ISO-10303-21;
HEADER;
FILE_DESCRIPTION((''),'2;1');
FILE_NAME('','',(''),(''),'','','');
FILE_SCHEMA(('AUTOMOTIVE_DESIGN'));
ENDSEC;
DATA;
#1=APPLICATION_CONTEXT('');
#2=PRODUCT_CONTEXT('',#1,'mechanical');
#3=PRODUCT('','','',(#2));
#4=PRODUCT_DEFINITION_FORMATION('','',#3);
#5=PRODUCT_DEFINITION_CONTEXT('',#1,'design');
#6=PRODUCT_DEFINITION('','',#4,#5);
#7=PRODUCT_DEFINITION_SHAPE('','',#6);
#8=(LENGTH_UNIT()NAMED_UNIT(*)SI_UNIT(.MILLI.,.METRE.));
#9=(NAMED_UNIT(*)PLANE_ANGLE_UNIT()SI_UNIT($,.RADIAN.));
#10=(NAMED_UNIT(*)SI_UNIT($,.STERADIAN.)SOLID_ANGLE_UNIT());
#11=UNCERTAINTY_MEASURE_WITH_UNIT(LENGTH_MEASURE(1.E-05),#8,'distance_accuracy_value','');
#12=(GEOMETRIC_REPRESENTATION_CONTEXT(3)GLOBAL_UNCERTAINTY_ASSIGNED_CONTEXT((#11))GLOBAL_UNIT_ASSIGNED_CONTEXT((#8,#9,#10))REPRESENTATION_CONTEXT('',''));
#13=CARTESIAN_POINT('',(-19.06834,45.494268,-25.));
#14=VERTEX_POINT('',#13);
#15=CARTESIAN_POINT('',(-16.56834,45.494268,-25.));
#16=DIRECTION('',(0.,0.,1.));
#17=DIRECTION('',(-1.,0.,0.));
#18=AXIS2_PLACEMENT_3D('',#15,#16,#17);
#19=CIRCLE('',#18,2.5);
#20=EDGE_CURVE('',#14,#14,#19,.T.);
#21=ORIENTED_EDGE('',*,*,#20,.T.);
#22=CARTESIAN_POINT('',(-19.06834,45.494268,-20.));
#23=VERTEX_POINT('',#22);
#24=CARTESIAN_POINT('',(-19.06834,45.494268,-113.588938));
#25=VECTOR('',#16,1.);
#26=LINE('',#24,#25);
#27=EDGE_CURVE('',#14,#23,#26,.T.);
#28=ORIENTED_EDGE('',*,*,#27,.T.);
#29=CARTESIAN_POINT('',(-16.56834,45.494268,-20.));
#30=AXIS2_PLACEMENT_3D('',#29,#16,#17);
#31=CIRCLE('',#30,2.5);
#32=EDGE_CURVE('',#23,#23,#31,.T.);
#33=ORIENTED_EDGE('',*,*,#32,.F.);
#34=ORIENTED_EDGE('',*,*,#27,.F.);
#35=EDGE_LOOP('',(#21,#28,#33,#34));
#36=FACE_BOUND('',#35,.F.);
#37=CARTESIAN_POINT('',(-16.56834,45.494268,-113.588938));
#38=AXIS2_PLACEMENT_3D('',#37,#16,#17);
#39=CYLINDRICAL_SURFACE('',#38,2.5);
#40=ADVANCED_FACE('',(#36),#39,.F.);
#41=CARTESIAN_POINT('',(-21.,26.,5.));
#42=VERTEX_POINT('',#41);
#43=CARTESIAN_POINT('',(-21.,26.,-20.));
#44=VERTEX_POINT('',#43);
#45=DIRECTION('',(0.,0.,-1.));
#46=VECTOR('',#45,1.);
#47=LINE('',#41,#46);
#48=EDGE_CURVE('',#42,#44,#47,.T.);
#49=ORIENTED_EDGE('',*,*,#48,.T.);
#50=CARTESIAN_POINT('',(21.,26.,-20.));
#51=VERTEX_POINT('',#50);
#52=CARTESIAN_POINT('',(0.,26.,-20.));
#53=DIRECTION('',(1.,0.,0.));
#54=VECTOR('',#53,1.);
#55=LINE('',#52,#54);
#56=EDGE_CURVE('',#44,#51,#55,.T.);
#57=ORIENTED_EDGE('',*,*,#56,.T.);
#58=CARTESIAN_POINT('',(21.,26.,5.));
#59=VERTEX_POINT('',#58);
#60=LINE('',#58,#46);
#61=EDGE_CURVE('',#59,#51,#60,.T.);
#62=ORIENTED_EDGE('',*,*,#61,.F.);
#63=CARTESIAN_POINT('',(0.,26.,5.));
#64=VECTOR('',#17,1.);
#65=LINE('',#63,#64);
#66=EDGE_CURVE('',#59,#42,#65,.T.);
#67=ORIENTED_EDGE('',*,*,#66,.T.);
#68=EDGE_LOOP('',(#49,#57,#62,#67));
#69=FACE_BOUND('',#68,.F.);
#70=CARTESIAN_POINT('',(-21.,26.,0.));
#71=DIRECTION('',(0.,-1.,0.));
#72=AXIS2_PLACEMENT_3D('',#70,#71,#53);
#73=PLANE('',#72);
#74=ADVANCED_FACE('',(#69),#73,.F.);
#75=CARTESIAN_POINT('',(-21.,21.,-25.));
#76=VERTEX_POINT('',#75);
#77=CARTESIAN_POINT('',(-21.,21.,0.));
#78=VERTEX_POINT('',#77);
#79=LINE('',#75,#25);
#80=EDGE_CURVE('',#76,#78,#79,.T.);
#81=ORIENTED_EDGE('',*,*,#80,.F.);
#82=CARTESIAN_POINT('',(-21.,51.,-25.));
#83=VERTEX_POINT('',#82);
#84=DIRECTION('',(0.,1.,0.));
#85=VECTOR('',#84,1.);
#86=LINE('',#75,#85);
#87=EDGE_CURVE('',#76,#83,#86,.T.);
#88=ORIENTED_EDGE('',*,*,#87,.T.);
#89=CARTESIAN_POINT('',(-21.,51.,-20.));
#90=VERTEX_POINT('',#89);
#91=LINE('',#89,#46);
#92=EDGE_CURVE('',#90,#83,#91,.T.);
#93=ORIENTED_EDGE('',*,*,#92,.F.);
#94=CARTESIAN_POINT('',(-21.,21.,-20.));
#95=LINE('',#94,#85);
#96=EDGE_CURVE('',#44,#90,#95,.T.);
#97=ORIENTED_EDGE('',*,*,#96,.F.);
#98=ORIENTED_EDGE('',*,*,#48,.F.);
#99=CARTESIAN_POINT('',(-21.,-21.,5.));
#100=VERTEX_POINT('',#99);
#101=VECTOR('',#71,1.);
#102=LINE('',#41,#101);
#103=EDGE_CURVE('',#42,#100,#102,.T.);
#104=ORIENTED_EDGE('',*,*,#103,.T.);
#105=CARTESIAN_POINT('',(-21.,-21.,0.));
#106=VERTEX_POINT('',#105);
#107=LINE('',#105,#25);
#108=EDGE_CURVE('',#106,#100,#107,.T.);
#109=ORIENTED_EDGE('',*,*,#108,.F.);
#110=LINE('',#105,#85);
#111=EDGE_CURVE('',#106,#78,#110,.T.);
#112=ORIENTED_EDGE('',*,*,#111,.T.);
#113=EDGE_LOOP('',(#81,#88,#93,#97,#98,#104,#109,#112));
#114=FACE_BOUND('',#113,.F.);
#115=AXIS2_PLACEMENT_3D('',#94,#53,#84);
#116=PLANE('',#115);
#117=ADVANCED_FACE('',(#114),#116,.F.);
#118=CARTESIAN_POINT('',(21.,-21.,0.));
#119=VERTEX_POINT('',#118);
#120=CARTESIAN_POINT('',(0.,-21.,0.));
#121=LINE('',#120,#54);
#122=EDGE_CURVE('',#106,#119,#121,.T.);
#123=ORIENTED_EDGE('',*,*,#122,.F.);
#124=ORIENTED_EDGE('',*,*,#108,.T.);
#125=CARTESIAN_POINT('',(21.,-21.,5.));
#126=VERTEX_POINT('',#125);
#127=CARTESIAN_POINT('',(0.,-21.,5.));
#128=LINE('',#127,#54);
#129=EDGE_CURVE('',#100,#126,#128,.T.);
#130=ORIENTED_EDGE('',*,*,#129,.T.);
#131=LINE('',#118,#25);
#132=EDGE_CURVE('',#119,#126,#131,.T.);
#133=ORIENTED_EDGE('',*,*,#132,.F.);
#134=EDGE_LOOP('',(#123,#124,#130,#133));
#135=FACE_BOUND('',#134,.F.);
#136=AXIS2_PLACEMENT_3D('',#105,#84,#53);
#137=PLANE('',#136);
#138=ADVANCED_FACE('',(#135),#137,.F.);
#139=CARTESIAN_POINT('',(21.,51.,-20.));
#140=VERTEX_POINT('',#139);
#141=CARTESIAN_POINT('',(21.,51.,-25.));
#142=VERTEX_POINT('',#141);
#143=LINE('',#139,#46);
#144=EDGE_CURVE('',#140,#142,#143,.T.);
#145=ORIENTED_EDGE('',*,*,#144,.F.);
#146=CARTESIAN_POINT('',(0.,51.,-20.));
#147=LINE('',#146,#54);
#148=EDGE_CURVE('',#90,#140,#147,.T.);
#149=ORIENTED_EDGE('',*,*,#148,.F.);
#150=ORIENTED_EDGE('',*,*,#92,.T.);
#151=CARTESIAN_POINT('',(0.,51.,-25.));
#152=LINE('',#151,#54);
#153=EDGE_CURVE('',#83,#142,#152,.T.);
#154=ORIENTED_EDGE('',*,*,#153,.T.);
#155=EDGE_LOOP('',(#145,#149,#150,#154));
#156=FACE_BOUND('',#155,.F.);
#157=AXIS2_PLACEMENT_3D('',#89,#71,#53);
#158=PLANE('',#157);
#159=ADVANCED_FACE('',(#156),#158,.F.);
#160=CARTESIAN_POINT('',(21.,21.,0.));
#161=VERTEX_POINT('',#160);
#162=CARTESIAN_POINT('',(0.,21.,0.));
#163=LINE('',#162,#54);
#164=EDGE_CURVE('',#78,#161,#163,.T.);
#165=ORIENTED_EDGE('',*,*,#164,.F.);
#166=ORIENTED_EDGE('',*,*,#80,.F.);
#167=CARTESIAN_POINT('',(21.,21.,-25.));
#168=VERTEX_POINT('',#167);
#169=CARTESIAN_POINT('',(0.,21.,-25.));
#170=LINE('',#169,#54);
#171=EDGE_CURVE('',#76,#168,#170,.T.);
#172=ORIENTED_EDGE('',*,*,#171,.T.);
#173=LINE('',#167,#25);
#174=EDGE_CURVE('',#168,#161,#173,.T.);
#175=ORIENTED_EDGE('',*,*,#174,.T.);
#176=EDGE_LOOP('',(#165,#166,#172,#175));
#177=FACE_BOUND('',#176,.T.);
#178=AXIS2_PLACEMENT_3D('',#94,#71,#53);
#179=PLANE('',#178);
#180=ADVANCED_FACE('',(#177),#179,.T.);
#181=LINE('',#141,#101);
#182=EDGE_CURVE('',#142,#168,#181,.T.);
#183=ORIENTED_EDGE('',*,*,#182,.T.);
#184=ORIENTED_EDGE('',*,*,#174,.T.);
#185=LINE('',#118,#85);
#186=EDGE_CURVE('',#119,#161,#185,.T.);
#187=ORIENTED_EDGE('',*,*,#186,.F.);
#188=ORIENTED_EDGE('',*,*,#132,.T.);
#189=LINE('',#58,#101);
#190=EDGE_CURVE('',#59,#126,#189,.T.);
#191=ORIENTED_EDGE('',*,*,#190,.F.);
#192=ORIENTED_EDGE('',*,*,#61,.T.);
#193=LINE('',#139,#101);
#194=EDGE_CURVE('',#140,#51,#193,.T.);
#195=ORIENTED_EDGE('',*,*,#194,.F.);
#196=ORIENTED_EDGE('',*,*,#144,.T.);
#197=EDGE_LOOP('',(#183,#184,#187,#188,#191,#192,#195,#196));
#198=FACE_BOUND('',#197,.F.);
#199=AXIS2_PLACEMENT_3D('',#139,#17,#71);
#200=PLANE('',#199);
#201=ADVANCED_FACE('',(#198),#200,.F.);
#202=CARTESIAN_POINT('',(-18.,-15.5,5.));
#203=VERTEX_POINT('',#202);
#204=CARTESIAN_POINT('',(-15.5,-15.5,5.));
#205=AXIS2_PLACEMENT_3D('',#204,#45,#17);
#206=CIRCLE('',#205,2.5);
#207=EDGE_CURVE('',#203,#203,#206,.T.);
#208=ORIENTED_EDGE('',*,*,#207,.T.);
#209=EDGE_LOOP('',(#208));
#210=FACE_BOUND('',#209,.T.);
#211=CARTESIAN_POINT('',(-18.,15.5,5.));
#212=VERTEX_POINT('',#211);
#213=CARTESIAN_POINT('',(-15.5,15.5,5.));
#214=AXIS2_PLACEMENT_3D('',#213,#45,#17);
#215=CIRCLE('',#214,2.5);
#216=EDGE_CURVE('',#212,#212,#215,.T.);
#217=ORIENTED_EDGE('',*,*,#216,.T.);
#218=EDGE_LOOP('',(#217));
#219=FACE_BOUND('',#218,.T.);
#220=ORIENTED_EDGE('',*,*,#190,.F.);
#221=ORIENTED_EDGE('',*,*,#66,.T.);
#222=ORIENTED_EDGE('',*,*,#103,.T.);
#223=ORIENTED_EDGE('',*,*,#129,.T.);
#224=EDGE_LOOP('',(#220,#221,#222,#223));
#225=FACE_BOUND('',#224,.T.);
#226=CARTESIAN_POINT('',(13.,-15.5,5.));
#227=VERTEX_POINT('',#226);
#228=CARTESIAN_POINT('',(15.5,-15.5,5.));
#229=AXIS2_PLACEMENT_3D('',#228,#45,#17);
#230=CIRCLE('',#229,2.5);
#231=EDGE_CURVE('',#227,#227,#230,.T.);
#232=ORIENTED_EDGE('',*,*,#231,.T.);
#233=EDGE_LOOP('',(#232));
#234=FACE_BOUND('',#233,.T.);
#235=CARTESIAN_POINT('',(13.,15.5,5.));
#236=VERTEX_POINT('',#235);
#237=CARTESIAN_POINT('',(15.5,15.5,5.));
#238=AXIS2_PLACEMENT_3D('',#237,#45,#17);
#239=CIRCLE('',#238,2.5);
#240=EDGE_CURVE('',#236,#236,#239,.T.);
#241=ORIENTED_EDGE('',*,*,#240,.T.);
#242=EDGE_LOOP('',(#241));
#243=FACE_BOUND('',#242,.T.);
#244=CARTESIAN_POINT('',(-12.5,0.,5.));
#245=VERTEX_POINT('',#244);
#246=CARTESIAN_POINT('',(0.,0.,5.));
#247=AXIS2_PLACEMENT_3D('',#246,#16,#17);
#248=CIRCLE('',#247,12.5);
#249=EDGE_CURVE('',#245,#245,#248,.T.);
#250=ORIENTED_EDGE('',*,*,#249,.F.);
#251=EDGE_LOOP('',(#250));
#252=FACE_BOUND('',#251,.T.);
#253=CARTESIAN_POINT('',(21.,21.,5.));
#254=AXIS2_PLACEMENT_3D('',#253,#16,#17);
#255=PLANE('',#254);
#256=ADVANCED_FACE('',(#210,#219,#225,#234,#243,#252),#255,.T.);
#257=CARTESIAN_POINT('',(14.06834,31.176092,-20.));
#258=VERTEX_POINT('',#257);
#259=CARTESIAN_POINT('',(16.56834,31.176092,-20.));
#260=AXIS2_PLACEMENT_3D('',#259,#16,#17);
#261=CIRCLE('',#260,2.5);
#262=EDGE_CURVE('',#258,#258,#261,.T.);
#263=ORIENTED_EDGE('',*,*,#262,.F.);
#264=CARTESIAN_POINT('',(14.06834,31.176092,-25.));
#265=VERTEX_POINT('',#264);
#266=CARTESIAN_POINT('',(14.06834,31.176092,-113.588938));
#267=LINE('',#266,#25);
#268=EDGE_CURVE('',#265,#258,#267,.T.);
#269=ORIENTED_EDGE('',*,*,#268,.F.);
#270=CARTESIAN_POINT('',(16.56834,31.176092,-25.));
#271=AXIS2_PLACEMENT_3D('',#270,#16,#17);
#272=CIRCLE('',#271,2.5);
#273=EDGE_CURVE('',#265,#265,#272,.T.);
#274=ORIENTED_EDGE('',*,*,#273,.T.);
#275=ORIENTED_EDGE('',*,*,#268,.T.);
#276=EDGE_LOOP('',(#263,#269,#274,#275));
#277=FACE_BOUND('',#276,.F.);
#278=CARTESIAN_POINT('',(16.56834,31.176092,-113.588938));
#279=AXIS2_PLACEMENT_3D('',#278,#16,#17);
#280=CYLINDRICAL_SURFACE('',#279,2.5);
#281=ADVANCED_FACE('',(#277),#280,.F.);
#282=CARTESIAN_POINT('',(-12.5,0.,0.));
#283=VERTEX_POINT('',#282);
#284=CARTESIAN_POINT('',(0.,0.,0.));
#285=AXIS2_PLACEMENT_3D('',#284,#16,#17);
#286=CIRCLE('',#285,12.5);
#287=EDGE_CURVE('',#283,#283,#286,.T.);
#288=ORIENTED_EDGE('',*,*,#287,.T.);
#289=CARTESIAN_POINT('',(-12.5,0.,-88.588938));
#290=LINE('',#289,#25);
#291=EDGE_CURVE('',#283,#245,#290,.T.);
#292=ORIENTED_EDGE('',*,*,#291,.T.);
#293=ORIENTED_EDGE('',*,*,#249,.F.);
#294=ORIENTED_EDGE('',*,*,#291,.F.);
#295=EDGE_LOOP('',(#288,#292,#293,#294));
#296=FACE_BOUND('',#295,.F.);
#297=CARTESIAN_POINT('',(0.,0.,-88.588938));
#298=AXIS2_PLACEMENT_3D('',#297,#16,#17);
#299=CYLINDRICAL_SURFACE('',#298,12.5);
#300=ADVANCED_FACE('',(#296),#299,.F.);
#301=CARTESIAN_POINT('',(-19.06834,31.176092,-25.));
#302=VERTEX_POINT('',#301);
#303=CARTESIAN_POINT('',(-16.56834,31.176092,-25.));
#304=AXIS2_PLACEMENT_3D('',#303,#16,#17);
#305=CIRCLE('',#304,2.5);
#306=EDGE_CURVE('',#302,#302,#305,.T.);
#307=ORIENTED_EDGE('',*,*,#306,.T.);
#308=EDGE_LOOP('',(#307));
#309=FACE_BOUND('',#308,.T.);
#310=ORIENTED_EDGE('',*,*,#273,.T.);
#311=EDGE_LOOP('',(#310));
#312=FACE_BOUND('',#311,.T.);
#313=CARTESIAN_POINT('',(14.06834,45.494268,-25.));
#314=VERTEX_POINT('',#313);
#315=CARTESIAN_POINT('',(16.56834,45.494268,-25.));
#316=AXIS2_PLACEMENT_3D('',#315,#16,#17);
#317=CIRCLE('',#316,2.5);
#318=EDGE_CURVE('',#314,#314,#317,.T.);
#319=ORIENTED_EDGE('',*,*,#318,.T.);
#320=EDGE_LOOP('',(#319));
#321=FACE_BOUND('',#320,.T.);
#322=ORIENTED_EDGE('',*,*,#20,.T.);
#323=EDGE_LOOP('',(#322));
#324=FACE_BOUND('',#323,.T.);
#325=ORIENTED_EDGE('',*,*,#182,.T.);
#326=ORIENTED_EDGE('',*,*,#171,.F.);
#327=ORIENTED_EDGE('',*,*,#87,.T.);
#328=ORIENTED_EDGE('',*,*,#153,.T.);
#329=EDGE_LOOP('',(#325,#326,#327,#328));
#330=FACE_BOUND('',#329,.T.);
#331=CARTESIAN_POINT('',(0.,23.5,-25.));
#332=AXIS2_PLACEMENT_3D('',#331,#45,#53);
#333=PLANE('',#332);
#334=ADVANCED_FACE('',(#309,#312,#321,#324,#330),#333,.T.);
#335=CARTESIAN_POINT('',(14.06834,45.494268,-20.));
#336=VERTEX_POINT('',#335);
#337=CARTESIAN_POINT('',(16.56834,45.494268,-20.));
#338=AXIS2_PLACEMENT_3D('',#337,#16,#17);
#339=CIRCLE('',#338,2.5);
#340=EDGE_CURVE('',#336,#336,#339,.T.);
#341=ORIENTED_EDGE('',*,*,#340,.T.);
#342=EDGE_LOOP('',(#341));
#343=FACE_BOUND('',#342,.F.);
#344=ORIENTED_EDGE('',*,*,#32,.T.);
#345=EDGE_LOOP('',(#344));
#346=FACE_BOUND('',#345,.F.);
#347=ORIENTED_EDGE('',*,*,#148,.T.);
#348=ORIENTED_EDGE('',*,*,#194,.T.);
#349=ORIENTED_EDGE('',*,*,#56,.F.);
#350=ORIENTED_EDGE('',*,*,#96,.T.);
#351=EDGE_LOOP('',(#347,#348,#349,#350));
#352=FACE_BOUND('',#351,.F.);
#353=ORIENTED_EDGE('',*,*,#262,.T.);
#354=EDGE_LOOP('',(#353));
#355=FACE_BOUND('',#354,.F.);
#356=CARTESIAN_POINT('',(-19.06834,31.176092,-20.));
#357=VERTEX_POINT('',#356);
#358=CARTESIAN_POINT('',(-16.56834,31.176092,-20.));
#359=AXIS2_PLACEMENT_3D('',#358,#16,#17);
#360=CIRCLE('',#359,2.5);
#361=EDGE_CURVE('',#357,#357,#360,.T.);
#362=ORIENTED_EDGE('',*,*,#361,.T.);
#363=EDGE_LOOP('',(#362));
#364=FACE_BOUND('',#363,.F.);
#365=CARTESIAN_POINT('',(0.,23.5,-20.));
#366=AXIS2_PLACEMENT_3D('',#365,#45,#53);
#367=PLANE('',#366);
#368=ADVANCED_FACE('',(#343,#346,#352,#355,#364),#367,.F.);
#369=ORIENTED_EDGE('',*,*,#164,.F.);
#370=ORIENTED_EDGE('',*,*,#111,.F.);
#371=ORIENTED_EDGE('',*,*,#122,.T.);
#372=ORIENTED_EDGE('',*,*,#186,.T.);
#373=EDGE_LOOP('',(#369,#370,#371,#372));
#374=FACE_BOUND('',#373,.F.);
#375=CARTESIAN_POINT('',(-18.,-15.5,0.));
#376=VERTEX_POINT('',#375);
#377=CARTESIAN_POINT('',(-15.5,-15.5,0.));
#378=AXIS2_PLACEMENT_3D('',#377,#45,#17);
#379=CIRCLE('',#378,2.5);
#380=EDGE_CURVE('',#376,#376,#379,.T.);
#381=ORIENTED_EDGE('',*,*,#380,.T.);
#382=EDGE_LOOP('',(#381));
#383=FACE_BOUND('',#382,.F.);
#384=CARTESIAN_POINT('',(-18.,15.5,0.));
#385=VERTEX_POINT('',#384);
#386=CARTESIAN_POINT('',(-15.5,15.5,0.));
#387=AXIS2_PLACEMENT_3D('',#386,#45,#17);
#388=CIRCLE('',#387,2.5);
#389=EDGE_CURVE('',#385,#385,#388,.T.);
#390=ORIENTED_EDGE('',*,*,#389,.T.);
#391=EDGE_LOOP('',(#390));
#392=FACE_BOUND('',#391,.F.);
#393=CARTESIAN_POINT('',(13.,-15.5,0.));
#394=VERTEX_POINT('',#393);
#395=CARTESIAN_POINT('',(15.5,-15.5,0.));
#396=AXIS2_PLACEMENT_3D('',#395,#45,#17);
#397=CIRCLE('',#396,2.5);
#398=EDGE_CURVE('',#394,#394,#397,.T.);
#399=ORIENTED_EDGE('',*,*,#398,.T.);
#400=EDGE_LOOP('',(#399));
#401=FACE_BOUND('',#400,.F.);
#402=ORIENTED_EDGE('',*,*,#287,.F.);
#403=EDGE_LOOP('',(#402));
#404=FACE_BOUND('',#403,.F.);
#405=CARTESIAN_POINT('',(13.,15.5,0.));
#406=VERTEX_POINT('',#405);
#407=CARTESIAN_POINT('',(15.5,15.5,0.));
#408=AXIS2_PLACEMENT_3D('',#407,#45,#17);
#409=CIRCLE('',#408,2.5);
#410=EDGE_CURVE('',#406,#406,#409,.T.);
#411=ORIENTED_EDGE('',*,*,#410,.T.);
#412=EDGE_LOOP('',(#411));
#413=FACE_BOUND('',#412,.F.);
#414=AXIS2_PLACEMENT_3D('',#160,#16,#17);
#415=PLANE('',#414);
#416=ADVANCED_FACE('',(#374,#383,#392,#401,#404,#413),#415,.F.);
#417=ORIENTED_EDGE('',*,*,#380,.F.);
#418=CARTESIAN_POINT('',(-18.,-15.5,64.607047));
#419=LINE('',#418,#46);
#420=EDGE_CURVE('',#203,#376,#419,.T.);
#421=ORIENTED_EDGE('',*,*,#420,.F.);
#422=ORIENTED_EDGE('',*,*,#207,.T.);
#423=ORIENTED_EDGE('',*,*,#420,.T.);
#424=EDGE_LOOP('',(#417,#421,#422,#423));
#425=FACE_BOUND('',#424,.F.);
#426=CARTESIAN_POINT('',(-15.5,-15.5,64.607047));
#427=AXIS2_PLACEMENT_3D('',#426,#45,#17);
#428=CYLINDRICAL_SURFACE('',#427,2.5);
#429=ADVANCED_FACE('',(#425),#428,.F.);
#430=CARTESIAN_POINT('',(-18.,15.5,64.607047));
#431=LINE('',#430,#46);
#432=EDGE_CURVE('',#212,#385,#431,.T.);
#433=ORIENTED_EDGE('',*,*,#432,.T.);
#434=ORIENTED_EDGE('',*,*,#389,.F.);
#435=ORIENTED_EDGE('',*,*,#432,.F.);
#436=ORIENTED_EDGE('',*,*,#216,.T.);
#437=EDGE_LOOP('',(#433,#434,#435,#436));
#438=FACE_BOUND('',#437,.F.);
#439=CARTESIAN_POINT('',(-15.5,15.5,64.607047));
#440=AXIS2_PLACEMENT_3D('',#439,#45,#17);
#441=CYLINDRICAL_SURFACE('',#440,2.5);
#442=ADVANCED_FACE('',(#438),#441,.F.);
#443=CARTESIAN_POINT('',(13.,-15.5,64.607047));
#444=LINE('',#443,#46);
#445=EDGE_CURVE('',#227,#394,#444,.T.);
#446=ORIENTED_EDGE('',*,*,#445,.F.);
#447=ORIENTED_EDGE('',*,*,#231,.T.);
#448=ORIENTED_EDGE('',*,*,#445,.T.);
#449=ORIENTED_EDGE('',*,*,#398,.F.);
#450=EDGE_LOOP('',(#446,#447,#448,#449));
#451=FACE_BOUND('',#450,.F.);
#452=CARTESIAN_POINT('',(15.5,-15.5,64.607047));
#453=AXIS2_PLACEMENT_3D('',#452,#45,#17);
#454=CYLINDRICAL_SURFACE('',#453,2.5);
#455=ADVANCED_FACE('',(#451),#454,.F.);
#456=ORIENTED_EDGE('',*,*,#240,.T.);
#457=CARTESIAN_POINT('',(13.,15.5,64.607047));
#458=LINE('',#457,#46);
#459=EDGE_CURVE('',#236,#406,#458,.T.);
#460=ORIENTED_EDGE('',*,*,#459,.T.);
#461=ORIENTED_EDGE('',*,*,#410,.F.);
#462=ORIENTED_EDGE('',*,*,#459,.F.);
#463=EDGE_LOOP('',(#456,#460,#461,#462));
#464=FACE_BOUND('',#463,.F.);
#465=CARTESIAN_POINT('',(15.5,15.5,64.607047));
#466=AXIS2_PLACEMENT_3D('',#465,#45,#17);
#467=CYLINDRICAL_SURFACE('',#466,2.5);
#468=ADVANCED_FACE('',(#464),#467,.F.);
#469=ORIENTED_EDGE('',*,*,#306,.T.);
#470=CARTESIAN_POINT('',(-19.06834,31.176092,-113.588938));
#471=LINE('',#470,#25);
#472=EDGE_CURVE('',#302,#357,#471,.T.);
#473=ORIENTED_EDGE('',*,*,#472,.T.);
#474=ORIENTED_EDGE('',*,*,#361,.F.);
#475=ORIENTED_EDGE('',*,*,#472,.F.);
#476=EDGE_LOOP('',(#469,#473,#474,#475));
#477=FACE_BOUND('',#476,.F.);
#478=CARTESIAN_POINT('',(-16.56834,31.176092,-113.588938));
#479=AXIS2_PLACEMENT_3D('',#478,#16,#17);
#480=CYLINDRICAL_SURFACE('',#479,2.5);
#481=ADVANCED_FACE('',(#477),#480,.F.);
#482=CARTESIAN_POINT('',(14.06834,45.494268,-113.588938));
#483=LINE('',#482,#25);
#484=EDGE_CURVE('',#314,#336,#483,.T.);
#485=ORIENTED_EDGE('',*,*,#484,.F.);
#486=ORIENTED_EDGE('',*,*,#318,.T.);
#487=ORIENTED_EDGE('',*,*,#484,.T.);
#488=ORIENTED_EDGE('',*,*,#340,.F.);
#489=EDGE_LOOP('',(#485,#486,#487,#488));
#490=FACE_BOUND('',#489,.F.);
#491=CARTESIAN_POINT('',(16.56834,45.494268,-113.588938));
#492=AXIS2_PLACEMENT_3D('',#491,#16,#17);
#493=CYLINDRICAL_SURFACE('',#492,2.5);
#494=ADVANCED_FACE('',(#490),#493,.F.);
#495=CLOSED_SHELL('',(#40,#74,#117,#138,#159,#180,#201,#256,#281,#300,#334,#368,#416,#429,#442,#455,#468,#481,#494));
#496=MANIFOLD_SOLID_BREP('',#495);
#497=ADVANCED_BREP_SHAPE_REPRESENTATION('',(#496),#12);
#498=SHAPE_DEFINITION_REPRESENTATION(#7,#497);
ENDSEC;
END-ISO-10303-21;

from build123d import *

# Parameters (mm, degrees)
F0_W     = 42
F0_H     = 42
F1_DEPTH = 5
F3_D     = 5
F4_W     = 42
F4_H     = 5
F5_DEPTH = 5
F6_W     = 42
F6_H     = 5
F7_DEPTH = 20
F8_W     = 42
F8_H     = 5
F8_H_2   = 25
F9_DEPTH = 5
F11_D    = 5
F13_D    = 25


with BuildPart() as f1:
    # F0 (on Top) → F1 (new body)
    with BuildSketch(Plane.XY):
        Rectangle(F0_W, F0_H)
    extrude(amount=F1_DEPTH)

    # F3 (through all)
    with Locations(Plane.XY.offset(5)):
        with Locations((-15.5, 15.5), (15.5, 15.5), (15.5, -15.5), (-15.5, -15.5)):
            Hole(F3_D / 2)

    # F4 (on face) → F5 (join)
    with BuildSketch(Plane(origin=(0, 21, 0), x_dir=(-1, 0, 0), z_dir=(0, 1, 0))):
        with Locations((0, 2.5)):
            Rectangle(F4_W, F4_H)
    extrude(amount=F5_DEPTH)

    # F6 (on face) → F7 (join)
    with BuildSketch(Plane(origin=(0, 0, 0), x_dir=(1, 0, 0), z_dir=(0, 0, -1))):
        with Locations((0, -23.5)):
            Rectangle(F6_W, F6_H)
    extrude(amount=F7_DEPTH)

    # F8 (on face) → F9 (join)
    with BuildSketch(Plane(origin=(0, 0, -20), x_dir=(1, 0, 0), z_dir=(0, 0, -1))):
        with Locations((0, -23.5)):
            Rectangle(F8_W, F8_H)
        with Locations((0, -38.5)):
            Rectangle(F8_W, F8_H_2)
    extrude(amount=F9_DEPTH)

    # F11 (through all)
    with Locations(Plane(origin=(0, 0, -25), x_dir=(1, 0, 0), z_dir=(0, 0, -1))):
        with Locations((-16.56834, -31.176092), (16.56834, -31.176092), (16.56834, -45.494268), (-16.56834, -45.494268)):
            Hole(F11_D / 2)

    # F13 (through all)
    with Locations(Plane(origin=(0, 0, 0), x_dir=(1, 0, 0), z_dir=(0, 0, -1))):
        with Locations((0, 0)):
            Hole(F13_D / 2)


solid = f1.part
